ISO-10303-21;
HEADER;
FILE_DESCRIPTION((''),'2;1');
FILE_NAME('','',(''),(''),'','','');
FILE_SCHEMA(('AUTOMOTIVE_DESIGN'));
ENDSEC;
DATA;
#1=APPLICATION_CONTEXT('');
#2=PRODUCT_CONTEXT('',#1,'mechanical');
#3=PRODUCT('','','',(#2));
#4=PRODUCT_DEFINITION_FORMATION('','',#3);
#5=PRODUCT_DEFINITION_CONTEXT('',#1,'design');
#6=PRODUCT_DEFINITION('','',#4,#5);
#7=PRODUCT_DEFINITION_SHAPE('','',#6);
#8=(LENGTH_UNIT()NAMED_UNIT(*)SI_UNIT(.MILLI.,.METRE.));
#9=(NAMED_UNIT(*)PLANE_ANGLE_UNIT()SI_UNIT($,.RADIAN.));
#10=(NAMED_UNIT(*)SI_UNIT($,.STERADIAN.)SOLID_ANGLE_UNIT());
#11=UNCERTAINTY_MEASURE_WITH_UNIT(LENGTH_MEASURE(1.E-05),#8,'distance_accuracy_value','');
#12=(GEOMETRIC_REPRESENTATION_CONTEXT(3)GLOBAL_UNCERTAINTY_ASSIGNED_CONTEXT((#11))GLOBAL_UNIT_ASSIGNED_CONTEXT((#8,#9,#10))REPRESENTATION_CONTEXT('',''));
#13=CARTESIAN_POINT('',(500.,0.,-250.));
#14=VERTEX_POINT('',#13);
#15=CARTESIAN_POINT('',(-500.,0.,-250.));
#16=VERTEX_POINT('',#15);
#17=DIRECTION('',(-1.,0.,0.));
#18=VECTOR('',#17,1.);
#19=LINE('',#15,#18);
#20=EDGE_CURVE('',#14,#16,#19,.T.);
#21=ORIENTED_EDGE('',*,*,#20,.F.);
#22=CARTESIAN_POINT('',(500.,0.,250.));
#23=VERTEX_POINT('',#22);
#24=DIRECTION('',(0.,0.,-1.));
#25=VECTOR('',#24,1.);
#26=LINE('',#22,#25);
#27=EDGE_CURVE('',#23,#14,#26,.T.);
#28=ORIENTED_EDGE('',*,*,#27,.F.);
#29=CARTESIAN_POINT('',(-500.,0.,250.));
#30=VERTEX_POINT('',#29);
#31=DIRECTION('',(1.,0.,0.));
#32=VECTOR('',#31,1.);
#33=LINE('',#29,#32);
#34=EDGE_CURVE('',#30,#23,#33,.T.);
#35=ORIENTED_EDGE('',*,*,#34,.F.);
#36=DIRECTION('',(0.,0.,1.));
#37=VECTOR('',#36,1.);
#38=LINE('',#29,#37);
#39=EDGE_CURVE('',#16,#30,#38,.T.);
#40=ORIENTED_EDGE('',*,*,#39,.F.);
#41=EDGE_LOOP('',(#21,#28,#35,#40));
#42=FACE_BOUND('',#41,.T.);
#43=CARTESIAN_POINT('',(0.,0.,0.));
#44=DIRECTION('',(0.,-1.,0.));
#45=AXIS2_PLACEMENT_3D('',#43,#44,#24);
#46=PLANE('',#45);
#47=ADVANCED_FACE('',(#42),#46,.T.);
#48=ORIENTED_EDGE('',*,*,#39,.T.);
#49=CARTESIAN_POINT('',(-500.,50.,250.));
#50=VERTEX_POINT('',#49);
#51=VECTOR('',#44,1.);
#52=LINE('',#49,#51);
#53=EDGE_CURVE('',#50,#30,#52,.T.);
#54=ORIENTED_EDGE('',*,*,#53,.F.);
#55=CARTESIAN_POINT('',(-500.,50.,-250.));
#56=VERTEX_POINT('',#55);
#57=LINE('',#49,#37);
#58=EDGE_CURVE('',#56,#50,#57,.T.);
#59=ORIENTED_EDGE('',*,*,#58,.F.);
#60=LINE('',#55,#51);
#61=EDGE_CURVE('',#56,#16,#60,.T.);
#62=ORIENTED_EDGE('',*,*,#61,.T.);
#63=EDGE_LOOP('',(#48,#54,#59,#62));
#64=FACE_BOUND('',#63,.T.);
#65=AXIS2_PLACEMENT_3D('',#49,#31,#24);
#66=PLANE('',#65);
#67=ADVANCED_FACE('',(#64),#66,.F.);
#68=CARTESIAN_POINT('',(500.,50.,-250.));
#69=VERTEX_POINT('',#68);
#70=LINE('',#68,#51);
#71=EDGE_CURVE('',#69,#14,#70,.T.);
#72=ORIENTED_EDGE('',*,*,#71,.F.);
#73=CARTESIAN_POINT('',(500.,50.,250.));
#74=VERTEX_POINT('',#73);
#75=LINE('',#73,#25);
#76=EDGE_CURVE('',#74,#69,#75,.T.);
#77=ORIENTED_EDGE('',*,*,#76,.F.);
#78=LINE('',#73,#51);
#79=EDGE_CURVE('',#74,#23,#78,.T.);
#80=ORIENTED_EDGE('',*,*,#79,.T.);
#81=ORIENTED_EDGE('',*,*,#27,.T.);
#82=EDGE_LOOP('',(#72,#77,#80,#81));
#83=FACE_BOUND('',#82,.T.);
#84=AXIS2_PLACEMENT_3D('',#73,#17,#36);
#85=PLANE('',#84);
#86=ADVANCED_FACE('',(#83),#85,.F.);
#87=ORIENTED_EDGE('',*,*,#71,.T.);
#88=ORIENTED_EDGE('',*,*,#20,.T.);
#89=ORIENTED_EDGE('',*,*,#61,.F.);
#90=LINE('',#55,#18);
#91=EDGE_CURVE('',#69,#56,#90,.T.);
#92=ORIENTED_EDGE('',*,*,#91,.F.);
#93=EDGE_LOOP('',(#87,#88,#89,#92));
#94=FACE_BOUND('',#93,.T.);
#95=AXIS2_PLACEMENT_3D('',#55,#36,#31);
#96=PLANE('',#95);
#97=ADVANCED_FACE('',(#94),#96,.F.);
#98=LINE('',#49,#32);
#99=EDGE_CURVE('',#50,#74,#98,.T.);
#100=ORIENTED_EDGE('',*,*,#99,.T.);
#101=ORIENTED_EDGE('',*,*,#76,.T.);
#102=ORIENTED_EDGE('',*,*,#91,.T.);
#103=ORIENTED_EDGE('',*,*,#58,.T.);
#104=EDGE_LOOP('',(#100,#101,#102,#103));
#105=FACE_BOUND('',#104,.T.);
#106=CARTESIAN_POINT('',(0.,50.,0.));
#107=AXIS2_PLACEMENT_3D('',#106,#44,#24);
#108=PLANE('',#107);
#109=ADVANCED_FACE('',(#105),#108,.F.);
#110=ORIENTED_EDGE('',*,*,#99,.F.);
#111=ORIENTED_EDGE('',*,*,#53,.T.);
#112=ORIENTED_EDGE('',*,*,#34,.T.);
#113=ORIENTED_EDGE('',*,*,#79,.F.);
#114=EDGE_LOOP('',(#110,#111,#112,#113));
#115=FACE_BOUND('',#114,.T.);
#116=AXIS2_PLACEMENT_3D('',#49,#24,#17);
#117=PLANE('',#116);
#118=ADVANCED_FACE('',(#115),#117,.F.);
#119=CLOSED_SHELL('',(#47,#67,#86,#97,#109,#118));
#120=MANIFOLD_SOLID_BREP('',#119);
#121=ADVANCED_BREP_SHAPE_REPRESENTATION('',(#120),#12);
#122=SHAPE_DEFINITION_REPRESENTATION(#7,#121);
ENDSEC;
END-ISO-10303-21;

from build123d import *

# Parameters (mm, degrees)
SKETCH_1_W      = 1000
SKETCH_1_H      = 500
EXTRUDE_1_DEPTH = 50


with BuildPart() as part:
    # 草图1 → 凸台-拉伸1 (new body)
    with BuildSketch(Plane(origin=(0, 0, 0), x_dir=(1, 0, 0), z_dir=(0, 1, 0))):
        Rectangle(SKETCH_1_W, SKETCH_1_H)
    extrude(amount=EXTRUDE_1_DEPTH)


solid = part.part
